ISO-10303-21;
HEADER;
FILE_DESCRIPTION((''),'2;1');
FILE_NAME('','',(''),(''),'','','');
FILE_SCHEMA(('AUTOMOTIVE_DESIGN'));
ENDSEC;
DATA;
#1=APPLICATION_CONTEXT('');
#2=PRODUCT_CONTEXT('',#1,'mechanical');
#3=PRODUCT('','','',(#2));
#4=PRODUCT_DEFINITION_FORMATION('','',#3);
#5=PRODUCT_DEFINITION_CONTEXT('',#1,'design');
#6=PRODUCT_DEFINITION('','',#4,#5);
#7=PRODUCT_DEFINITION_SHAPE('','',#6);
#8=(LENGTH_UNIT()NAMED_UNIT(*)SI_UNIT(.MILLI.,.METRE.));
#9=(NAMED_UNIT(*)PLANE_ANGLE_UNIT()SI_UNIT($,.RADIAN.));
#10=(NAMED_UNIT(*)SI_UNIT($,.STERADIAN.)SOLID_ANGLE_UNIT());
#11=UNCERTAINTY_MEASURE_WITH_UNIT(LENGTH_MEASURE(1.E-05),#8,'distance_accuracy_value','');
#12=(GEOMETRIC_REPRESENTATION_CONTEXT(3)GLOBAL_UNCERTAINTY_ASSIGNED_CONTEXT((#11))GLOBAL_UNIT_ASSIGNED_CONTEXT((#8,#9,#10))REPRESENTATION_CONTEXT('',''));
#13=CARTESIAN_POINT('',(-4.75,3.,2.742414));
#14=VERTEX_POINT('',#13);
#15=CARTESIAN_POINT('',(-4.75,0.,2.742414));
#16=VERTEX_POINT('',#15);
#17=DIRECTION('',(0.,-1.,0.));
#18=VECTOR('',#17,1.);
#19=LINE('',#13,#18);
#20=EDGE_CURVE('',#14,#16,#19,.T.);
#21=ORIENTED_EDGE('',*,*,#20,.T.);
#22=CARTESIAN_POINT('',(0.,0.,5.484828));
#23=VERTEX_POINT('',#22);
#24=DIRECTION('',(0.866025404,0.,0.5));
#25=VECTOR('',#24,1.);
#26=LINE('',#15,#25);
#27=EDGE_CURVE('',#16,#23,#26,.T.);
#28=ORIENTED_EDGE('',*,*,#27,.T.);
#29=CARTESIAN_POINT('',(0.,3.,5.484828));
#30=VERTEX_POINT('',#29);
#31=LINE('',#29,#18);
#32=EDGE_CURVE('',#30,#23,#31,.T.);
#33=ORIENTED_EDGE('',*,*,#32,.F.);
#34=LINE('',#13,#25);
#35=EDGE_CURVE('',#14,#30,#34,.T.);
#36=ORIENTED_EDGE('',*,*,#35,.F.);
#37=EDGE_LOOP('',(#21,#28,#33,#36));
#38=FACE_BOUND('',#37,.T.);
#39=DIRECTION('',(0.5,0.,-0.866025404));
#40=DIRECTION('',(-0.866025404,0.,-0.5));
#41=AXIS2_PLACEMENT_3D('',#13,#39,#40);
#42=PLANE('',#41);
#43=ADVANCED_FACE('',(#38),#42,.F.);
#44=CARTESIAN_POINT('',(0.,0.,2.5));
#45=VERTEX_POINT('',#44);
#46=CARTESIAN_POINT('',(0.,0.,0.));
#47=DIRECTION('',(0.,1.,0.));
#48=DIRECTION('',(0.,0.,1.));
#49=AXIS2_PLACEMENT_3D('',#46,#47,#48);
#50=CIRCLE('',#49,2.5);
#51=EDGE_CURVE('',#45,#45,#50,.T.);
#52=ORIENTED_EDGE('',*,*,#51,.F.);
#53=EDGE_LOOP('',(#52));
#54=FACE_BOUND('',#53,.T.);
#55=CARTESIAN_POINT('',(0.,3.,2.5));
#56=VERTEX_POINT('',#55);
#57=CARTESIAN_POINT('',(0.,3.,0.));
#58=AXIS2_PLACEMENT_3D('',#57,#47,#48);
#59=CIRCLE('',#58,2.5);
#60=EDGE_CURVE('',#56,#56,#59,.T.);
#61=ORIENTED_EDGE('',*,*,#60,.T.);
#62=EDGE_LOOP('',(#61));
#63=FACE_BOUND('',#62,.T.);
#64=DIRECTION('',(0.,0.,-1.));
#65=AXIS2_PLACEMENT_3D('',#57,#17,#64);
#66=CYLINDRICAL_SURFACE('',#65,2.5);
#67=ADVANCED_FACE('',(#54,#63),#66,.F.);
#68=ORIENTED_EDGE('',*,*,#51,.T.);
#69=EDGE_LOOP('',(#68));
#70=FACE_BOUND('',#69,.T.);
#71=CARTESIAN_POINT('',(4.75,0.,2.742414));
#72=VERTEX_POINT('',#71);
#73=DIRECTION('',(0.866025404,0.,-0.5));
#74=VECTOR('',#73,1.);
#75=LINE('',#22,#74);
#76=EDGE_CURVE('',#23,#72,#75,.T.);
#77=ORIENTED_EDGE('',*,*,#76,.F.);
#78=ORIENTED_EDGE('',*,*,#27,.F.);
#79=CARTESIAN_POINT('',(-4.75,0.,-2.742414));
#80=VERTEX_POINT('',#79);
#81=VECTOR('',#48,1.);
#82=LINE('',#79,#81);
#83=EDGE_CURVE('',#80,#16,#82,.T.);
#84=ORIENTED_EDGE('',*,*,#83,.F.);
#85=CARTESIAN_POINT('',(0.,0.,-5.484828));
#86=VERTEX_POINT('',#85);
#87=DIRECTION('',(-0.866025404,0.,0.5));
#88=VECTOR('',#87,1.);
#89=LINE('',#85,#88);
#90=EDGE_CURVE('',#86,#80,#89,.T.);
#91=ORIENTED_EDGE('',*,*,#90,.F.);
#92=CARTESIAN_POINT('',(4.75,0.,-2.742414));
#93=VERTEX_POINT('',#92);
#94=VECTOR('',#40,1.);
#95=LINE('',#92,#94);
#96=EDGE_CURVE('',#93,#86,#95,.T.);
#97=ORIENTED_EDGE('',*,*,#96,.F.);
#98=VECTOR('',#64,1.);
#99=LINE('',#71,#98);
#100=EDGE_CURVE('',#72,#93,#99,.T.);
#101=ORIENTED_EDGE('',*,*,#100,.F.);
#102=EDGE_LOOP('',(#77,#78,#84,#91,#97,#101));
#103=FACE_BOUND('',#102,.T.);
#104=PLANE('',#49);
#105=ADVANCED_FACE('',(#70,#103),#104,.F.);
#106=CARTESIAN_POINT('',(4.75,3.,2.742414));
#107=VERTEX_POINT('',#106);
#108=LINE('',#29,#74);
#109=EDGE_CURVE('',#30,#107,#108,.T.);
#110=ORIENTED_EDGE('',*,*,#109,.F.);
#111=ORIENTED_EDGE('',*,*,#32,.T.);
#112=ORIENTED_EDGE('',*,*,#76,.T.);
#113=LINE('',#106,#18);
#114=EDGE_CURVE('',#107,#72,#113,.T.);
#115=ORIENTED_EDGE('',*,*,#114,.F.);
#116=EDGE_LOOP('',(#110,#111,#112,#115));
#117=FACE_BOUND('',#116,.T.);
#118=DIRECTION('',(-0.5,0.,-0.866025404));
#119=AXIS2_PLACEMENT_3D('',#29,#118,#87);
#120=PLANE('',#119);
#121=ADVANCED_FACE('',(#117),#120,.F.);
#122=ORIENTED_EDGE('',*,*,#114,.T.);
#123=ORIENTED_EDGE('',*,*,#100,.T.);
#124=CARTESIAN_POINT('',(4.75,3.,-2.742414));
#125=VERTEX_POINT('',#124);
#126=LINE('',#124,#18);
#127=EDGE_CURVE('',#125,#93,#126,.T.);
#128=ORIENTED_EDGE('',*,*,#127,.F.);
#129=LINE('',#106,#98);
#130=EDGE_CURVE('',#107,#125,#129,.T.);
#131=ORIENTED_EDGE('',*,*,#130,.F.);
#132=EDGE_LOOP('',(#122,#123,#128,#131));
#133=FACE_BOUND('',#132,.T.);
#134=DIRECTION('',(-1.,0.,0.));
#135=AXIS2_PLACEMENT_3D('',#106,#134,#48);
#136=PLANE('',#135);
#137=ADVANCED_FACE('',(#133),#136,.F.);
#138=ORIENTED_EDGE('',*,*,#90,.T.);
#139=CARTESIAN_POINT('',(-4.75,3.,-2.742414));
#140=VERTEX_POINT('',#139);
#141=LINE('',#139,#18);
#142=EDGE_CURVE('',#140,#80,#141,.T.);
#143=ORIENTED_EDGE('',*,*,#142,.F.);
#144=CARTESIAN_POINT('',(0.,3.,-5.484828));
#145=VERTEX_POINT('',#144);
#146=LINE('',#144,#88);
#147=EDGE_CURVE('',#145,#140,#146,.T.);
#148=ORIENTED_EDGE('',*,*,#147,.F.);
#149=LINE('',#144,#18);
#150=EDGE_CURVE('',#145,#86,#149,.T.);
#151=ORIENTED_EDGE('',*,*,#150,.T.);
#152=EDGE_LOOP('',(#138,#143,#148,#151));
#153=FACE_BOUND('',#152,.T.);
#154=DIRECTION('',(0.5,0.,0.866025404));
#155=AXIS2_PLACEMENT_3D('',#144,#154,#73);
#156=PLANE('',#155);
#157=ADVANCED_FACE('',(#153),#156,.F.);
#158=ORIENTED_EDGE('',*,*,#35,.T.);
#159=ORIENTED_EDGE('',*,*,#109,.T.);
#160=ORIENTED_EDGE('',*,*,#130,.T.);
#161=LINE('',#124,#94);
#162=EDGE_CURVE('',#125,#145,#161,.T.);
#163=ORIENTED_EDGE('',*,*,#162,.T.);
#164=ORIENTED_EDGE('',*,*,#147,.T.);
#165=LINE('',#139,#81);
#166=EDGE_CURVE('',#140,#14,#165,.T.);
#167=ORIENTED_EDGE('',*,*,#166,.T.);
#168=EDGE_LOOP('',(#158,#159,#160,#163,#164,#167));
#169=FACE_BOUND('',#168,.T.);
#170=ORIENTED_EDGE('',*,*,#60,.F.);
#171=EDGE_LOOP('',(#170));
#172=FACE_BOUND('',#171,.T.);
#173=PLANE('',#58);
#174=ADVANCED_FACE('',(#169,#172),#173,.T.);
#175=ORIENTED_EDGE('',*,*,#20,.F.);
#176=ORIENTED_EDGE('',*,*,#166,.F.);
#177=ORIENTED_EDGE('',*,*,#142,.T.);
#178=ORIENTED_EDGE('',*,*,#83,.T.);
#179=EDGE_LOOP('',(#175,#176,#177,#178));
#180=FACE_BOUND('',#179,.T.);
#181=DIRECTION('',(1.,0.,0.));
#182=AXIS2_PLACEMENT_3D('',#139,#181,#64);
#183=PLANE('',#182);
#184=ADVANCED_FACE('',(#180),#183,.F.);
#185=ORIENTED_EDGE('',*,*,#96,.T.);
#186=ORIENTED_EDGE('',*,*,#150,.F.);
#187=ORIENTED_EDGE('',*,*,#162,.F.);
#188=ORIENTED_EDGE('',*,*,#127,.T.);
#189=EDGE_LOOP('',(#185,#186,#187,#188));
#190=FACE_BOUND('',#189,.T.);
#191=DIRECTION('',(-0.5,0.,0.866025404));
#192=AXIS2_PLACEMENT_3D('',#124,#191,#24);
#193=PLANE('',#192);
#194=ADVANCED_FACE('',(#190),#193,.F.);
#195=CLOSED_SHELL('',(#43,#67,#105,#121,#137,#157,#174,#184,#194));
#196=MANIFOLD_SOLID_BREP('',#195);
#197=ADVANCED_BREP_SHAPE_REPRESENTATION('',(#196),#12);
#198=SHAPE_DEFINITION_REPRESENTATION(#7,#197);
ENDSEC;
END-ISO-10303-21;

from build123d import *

# Parameters (mm, degrees)
CROQUIS1_R              = 2.5
SALIENTE_EXTRUIR1_DEPTH = 3


with BuildPart() as part:
    # Croquis1 → Saliente-Extruir1 (new body)
    with BuildSketch(Plane(origin=(0, 0, 0), x_dir=(1, 0, 0), z_dir=(0, 1, 0))):
        Polygon((0, 5.484827557), (-4.75, 2.742413779), (-4.75, -2.742413779), (0, -5.484827557), (4.75, -2.742413779), (4.75, 2.742413779), align=None)
        with Locations(Location((0, 0, 0), (0, 0, 270))):
            Circle(CROQUIS1_R, mode=Mode.SUBTRACT)
    extrude(amount=SALIENTE_EXTRUIR1_DEPTH)


solid = part.part
